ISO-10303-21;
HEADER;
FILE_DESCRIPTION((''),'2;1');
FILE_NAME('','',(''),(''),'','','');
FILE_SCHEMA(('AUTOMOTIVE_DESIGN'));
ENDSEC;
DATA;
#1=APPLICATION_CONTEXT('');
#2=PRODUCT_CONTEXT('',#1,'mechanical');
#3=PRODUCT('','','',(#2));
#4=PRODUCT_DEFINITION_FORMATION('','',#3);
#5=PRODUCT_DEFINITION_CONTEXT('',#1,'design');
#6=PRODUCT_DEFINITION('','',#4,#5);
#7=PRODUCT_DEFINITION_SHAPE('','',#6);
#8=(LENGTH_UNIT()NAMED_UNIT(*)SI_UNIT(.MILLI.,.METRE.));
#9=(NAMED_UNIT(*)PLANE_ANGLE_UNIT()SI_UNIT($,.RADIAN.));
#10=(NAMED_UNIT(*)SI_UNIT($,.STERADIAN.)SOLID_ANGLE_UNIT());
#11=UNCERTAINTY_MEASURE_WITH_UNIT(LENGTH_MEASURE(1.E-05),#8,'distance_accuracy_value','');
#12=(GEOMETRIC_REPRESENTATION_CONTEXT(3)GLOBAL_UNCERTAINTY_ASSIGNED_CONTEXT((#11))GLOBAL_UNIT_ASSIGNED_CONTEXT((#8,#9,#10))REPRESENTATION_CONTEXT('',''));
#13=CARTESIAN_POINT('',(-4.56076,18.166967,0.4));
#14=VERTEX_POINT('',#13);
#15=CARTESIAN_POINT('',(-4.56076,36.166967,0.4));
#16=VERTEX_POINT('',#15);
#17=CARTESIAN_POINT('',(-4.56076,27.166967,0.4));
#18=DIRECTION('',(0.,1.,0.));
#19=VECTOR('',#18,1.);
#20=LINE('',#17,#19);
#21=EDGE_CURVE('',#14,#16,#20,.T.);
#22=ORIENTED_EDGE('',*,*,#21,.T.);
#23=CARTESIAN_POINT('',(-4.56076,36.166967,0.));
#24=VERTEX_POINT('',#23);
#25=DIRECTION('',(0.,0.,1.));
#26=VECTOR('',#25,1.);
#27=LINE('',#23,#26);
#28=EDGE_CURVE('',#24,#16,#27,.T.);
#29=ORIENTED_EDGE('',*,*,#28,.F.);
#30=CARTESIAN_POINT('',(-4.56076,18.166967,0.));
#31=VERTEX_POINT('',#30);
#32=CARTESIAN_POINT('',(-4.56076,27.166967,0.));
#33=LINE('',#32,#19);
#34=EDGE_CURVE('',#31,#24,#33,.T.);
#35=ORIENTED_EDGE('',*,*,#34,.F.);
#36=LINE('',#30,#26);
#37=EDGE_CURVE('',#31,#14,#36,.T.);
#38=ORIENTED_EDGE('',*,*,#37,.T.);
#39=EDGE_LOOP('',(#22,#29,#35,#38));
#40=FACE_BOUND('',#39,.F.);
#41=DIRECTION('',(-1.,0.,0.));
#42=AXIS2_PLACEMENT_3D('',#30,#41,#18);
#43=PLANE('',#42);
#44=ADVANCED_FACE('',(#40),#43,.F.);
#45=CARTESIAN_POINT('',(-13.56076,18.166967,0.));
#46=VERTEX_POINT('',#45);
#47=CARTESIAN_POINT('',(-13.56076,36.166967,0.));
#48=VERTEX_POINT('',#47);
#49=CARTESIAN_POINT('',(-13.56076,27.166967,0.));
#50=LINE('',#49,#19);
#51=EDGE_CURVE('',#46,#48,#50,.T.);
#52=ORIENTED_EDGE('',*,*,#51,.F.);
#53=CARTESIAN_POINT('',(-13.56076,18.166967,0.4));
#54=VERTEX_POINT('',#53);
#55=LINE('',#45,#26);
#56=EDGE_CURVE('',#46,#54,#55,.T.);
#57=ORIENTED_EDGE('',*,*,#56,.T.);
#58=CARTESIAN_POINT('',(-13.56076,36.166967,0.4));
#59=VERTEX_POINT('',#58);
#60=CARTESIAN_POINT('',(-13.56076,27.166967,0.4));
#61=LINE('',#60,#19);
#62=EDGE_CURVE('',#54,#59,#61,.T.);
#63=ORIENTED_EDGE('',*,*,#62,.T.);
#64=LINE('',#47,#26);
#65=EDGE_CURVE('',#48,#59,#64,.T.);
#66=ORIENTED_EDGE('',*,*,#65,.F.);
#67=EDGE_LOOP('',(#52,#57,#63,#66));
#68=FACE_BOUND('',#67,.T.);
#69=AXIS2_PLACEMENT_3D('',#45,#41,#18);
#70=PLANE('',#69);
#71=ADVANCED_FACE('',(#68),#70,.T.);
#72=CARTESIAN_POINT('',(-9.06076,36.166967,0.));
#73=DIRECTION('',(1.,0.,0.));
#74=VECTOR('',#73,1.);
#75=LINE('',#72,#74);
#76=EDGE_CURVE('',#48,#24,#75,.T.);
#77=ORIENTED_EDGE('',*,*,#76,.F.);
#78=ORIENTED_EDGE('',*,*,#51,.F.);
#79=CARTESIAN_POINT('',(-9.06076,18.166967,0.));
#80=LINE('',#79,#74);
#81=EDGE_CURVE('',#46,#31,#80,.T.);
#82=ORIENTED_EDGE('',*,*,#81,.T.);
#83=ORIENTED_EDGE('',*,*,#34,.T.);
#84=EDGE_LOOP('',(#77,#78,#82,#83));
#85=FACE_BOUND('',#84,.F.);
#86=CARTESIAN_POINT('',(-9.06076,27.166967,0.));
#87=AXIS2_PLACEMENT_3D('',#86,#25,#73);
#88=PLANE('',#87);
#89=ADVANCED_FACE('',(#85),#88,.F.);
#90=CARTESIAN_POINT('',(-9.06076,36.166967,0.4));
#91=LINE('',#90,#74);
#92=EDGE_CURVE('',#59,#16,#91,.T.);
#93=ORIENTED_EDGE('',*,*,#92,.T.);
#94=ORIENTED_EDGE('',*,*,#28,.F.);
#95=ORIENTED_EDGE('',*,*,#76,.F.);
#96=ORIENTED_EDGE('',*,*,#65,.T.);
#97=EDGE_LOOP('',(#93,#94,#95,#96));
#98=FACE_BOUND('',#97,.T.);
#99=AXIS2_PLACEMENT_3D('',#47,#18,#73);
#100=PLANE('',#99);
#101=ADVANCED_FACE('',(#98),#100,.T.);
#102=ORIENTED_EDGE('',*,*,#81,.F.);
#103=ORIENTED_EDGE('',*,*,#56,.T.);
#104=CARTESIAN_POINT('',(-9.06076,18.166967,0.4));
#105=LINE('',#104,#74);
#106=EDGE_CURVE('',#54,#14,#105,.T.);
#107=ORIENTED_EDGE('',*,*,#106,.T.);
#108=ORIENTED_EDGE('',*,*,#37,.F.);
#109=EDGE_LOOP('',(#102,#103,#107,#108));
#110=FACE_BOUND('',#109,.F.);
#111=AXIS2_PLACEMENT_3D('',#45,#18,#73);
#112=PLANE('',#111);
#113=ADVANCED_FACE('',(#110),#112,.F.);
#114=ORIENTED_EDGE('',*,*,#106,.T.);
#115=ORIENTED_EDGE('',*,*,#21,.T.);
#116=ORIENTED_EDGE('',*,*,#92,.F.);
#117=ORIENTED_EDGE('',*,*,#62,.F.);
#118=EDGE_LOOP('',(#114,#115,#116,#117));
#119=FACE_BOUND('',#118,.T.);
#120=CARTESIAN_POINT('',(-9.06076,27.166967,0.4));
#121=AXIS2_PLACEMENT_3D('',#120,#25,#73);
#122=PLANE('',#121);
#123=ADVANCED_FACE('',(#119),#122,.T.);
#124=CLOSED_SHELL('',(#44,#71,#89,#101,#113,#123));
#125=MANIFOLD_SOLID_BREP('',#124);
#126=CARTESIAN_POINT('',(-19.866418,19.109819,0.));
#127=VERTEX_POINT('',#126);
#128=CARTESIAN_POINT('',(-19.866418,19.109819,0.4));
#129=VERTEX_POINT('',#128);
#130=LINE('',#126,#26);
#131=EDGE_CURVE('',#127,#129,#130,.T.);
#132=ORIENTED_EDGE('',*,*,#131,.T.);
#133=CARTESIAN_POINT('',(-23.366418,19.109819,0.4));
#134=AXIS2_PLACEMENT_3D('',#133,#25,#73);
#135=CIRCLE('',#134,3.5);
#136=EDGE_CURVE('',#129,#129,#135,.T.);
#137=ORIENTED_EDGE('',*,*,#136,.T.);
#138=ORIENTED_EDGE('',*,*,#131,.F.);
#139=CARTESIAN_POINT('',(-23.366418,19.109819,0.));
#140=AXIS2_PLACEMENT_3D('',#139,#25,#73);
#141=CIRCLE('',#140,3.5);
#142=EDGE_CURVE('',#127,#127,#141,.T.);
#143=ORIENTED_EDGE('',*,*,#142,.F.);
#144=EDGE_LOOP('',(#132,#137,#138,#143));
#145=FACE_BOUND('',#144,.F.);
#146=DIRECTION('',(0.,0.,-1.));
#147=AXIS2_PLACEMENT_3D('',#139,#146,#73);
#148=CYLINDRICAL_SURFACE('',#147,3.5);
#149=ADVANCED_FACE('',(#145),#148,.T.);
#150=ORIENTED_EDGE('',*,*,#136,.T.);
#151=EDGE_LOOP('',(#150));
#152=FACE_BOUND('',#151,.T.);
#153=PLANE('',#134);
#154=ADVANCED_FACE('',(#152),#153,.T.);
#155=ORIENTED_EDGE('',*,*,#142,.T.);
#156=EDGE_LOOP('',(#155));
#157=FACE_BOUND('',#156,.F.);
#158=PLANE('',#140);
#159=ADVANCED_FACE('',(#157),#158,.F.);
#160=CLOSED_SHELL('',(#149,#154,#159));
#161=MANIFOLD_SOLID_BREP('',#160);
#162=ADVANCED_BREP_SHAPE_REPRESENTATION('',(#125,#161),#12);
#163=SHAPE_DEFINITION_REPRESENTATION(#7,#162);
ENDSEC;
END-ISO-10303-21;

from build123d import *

# Parameters (mm, degrees)
F0_R     = 3.5
F1_DEPTH = 0.4
F0_W     = 9
F0_H     = 18
F2_DEPTH = 0.4


with BuildPart() as f1:
    # F0 (on Top) → F1 (new body)
    with BuildSketch(Plane.XY):
        with Locations((-23.366418, 19.109819)):
            Circle(F0_R)
    extrude(amount=F1_DEPTH)


with BuildPart() as f2:
    # F0 (on Top) → F2 (new body)
    with BuildSketch(Plane.XY):
        with Locations((-9.06076, 27.166967)):
            Rectangle(F0_W, F0_H)
    extrude(amount=F2_DEPTH)


solid = Compound([f1.part, f2.part])
